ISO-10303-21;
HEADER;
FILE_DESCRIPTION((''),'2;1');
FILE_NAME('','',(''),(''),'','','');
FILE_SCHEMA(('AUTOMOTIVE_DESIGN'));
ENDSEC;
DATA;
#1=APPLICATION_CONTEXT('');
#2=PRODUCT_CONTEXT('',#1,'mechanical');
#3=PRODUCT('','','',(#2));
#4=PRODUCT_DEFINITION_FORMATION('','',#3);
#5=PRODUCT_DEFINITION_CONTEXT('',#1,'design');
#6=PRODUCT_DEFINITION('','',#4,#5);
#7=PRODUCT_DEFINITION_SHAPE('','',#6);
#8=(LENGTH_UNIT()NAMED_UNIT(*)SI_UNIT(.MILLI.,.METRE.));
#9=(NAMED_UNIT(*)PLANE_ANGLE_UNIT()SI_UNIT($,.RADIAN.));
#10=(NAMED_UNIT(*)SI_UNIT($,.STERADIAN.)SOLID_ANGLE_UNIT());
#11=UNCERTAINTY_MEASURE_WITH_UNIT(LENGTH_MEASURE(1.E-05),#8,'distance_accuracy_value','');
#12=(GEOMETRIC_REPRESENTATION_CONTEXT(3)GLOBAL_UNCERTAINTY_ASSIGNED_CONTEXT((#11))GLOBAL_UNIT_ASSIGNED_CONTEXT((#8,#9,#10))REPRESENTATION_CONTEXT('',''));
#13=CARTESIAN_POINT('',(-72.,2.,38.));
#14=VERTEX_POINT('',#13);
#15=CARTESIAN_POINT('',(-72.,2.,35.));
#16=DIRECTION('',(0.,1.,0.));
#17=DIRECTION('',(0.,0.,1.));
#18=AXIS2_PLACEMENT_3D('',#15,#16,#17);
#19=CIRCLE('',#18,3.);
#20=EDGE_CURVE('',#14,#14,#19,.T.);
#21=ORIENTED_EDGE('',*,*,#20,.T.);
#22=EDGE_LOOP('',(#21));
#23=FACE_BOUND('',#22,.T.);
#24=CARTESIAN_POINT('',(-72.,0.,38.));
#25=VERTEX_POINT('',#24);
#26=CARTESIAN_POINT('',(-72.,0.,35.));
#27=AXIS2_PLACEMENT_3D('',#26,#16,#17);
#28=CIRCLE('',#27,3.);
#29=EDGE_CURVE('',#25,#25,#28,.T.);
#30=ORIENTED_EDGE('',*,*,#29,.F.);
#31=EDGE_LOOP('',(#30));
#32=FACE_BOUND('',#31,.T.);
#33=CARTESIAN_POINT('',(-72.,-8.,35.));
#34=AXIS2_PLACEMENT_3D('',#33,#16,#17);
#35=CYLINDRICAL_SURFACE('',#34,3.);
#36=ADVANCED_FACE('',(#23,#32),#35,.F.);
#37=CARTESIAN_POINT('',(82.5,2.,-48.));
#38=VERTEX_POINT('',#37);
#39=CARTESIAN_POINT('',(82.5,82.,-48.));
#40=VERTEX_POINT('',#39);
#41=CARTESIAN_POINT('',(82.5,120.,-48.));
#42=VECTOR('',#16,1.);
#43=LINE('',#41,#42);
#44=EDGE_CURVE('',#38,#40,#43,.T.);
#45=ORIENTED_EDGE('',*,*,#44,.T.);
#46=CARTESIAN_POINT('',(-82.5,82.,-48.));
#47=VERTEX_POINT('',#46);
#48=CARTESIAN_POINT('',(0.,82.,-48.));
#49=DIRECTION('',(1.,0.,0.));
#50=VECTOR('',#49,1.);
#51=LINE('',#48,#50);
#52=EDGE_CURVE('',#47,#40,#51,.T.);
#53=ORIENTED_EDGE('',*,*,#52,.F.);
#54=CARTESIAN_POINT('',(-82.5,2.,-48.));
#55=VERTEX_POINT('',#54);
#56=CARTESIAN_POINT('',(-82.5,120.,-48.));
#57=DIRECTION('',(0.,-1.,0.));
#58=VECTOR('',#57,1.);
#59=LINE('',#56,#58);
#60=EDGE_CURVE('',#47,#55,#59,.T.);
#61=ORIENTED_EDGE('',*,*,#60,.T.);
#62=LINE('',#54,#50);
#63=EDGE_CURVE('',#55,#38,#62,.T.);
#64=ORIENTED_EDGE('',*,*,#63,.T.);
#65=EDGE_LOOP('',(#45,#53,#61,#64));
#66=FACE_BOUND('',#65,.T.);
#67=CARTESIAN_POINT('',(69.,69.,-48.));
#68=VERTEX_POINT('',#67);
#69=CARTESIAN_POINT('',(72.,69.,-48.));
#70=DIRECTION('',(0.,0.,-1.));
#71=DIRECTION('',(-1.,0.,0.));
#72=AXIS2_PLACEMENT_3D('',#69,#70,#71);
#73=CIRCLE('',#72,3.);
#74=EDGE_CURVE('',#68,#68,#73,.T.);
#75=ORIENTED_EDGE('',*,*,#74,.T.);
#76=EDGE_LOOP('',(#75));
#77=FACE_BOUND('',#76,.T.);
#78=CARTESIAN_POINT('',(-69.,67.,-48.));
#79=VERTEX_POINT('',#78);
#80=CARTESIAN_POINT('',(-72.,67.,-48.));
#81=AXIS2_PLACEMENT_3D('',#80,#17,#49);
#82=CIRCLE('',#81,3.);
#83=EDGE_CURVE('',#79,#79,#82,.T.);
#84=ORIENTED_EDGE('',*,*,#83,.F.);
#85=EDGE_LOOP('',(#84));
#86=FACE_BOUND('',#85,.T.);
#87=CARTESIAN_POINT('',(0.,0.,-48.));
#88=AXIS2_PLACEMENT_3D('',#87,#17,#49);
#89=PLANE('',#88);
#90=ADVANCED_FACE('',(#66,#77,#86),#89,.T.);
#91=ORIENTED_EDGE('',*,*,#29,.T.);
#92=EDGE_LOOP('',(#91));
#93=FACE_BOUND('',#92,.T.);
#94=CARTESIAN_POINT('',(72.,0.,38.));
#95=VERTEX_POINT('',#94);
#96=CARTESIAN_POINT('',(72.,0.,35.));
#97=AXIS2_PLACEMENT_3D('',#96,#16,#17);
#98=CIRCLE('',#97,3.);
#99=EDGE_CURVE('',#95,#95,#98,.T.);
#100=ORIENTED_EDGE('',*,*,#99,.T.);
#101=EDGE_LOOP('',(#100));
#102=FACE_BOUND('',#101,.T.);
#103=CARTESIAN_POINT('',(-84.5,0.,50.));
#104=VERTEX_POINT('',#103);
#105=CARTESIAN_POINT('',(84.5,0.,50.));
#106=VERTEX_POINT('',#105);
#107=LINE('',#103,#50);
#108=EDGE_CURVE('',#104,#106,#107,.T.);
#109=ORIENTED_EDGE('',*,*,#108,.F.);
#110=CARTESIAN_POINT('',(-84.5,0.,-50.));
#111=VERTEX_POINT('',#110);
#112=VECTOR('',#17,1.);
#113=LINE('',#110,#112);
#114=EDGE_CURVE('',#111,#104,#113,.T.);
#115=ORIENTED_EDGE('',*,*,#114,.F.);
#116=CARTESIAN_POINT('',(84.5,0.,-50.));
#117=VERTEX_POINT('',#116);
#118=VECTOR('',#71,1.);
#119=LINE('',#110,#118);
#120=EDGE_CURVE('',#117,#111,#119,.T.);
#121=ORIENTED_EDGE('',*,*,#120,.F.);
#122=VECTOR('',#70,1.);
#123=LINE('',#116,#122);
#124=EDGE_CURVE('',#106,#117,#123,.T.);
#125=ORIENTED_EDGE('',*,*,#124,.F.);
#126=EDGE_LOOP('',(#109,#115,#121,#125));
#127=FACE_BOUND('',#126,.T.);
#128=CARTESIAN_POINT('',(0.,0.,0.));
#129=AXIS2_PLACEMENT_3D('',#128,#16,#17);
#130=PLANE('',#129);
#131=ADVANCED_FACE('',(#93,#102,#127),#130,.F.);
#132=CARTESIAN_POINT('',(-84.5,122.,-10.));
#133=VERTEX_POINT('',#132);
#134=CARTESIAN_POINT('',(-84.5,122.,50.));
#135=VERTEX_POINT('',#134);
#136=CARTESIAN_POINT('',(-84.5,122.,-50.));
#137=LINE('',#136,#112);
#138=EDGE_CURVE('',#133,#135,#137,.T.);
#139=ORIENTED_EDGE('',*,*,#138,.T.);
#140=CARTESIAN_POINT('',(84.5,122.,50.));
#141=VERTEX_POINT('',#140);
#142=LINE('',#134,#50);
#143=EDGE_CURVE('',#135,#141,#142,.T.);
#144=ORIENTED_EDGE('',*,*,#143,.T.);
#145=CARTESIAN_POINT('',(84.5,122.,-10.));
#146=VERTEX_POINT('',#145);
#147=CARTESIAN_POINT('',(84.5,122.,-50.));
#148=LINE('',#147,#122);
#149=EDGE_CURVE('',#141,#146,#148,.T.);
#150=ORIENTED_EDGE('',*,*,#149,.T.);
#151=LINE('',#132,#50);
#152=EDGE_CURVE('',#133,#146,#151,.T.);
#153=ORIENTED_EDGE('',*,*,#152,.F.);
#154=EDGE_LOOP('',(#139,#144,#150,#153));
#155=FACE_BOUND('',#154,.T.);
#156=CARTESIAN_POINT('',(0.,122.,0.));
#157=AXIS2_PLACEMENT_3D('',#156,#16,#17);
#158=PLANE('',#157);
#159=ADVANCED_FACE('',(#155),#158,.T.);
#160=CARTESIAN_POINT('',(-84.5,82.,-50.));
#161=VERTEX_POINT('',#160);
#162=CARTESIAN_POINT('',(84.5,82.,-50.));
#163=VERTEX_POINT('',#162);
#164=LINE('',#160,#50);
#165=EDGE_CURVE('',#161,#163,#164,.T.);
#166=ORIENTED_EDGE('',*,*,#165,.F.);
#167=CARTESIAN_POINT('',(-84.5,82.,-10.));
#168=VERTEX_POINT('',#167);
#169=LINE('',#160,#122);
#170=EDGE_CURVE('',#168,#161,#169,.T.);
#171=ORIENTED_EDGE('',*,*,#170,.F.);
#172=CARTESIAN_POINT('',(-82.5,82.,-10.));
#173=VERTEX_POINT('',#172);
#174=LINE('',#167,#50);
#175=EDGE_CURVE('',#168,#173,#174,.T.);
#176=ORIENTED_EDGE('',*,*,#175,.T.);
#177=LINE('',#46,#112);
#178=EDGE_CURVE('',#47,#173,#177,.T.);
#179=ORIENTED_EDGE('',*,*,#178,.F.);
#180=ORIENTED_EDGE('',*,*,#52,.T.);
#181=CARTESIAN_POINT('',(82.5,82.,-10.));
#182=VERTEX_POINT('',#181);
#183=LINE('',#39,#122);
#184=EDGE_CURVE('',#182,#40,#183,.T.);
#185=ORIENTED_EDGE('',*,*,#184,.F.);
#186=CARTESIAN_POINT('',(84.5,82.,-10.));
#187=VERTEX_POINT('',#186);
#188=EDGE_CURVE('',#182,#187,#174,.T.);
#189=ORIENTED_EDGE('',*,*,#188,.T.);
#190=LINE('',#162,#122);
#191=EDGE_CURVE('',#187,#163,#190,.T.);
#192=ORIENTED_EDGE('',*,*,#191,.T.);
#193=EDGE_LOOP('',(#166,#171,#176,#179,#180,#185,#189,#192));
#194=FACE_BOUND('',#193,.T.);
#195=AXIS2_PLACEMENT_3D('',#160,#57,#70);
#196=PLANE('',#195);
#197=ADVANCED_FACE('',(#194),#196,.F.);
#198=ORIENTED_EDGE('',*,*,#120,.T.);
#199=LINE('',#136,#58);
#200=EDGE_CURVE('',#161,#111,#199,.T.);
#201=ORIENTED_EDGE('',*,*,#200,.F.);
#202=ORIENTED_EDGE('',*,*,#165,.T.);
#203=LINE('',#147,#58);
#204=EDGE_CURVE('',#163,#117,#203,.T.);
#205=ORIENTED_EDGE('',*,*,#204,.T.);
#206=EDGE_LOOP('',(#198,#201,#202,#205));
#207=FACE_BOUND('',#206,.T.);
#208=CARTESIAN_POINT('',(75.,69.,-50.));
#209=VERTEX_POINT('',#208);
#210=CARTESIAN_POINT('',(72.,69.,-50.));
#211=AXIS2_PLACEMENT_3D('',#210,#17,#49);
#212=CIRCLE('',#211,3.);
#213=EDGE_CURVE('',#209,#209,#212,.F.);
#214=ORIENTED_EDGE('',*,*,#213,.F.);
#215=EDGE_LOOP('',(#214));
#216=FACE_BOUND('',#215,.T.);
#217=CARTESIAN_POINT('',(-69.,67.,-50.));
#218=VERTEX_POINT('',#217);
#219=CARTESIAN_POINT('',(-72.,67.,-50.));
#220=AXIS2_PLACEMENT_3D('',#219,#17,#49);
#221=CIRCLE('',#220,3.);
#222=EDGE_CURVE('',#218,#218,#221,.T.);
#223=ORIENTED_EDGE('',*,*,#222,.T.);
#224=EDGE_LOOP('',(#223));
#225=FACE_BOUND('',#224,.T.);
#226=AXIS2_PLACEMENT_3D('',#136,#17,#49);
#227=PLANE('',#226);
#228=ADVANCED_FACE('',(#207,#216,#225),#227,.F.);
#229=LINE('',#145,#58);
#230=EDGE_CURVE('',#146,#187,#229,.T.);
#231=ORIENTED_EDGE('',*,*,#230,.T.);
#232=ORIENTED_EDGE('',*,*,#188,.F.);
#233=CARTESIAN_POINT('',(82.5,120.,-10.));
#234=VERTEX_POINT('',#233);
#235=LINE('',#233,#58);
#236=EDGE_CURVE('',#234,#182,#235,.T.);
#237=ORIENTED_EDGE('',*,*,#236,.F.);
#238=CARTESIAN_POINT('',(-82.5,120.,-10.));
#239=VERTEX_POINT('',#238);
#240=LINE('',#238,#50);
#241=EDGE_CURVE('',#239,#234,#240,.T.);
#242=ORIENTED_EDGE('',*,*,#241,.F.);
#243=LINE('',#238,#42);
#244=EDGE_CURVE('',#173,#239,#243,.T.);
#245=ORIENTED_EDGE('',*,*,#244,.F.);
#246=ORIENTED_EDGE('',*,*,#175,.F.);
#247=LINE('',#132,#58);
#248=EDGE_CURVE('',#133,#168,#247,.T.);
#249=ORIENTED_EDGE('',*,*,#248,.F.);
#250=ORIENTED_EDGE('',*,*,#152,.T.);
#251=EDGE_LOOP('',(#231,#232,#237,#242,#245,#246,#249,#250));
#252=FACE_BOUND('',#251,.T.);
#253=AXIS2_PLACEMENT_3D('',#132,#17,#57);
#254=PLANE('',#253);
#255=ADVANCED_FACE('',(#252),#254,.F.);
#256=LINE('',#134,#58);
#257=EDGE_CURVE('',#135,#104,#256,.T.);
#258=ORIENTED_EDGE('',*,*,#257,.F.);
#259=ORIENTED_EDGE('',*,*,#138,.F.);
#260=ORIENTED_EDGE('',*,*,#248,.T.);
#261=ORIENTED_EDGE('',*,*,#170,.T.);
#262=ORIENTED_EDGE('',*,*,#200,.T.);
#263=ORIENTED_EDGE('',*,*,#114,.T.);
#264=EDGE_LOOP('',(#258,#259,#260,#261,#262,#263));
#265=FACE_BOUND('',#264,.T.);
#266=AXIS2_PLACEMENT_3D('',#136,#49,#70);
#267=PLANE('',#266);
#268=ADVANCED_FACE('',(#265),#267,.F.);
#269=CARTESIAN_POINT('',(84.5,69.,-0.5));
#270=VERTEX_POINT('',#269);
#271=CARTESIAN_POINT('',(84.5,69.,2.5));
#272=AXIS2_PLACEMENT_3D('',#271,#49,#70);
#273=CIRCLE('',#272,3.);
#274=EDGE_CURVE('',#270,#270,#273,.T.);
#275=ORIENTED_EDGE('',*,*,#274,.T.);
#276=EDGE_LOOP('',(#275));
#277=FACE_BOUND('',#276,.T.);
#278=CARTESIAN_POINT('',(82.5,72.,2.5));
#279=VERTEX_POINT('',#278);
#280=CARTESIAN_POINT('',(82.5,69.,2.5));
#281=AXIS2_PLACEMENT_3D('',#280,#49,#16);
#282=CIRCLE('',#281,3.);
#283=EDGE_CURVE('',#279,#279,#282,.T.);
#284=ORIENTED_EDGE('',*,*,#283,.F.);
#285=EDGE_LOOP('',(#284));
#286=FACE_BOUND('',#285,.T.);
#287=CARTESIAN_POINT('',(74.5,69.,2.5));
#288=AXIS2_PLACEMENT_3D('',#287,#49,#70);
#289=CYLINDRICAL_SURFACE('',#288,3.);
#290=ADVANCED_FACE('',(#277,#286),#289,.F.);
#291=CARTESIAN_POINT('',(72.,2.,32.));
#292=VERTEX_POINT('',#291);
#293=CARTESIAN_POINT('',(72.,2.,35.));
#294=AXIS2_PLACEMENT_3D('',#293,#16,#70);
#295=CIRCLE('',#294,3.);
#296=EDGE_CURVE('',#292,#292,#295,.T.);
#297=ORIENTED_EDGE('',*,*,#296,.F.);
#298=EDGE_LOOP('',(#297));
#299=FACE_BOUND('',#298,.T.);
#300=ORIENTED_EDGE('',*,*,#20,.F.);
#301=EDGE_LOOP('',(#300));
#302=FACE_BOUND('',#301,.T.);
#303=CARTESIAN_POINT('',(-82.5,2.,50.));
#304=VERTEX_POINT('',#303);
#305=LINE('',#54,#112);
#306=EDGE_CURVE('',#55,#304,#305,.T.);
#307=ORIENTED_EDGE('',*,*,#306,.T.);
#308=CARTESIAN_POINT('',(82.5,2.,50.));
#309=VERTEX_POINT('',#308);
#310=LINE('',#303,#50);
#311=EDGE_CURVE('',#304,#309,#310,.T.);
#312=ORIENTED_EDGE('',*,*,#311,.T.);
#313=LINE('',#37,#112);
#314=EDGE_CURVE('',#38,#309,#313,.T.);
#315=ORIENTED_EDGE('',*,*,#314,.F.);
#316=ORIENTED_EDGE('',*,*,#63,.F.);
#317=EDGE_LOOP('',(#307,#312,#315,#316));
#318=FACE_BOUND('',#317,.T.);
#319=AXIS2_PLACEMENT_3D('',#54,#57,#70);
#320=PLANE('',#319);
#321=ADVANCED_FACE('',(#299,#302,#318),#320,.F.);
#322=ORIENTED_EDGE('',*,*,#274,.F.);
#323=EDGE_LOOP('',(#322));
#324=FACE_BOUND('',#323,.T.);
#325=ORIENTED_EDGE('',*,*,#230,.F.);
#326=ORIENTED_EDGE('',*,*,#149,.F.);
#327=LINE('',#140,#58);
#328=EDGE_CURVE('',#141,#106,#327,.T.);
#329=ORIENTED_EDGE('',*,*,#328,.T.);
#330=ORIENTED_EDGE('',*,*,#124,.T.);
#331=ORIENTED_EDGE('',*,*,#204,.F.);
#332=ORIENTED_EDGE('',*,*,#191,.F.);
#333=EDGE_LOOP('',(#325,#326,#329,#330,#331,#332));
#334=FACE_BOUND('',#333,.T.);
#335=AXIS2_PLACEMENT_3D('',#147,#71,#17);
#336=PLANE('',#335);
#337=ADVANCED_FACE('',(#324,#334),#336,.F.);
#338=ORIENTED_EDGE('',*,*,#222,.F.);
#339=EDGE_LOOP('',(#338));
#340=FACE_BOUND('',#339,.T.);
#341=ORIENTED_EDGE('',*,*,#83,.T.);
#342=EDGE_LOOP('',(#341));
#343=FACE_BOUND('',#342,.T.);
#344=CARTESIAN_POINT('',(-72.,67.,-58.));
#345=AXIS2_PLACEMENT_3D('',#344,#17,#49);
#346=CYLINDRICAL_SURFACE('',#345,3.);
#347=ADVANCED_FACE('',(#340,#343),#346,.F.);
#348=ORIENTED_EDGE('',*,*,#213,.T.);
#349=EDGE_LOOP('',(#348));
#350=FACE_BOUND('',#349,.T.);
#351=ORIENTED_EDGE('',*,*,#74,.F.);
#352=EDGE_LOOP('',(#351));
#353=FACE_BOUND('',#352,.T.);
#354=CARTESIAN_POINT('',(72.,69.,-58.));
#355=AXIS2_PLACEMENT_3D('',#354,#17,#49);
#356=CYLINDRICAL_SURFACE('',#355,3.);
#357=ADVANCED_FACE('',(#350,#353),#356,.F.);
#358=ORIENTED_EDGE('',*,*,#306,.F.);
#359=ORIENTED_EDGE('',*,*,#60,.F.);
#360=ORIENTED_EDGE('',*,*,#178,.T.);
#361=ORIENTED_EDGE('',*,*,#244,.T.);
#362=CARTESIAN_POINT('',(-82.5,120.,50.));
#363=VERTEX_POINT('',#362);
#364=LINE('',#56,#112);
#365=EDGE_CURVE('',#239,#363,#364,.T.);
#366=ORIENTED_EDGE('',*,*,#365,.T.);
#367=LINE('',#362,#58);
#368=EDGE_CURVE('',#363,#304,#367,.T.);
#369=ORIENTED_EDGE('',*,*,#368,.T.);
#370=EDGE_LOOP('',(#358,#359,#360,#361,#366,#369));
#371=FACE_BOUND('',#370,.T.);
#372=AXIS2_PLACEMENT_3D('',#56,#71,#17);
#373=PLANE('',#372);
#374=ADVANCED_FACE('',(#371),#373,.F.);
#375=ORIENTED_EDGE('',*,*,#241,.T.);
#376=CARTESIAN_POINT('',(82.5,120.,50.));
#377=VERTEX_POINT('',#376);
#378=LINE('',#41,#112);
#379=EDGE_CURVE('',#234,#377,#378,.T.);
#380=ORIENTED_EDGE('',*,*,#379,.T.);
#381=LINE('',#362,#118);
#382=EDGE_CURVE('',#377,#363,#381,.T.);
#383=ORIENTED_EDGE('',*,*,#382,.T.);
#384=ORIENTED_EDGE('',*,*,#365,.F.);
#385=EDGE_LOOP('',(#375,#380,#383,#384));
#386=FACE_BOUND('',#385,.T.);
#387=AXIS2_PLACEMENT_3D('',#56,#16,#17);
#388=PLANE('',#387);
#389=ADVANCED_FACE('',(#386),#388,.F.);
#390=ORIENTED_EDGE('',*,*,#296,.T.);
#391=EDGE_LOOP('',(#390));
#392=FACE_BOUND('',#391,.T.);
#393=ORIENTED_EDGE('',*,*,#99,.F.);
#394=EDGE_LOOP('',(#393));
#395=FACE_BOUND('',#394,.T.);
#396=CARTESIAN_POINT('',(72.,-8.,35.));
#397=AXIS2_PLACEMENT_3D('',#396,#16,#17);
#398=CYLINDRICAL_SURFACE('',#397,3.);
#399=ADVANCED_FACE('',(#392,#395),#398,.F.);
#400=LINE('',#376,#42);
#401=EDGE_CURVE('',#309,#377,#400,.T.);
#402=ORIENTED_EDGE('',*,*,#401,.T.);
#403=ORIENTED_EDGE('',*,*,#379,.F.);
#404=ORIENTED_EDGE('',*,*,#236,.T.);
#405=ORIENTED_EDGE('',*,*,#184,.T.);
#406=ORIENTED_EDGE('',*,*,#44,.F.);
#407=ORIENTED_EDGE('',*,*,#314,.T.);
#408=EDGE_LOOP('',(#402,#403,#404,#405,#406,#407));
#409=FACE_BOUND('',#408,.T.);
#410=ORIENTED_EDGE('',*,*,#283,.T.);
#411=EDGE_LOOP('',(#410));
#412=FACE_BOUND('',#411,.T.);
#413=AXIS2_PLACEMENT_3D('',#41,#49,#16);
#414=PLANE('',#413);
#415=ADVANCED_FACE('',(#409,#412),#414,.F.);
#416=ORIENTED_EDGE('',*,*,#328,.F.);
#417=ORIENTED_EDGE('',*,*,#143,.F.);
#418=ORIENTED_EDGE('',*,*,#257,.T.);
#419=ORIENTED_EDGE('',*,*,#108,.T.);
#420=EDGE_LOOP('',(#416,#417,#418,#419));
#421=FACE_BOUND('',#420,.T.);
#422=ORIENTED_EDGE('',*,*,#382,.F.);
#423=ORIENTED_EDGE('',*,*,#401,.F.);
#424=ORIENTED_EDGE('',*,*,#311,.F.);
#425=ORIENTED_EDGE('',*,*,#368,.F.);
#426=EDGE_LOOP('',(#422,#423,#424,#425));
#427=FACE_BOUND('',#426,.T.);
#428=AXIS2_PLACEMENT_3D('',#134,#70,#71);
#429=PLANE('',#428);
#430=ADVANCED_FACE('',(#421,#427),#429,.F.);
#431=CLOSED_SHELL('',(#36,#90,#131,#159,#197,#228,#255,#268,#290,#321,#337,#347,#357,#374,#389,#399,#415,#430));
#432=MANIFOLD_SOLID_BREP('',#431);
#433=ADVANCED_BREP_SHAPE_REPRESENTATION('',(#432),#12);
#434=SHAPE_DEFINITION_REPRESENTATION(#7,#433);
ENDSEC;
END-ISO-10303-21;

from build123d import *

# Parameters (mm, degrees)
SKETCH_2_W          = 169
SKETCH_2_H          = 100
EXTRUDE_2_DEPTH     = 122
SKETCH_6_W          = 165
SKETCH_6_H          = 118
CUT_EXTRUDE_3_DEPTH = 98
SKETCH_7_W          = 40
SKETCH_7_H          = 40
CUT_EXTRUDE_4_DEPTH = 215.347848135
SKETCH_8_R          = 3
CUT_EXTRUDE_5_DEPTH = 10
SKETCH_9_R          = 3
CUT_EXTRUDE_6_DEPTH = 10
SKETCH_10_R         = 3
CUT_EXTRUDE_7_DEPTH = 10


with BuildPart() as part:
    # ｽｹｯﾁ2 → ﾎﾞｽ - 押し出し2 (new body)
    with BuildSketch(Plane(origin=(0, 0, 0), x_dir=(1, 0, 0), z_dir=(0, 1, 0))):
        Rectangle(SKETCH_2_W, SKETCH_2_H)
    extrude(amount=EXTRUDE_2_DEPTH)

    # ｽｹｯﾁ6 → ｶｯﾄ - 押し出し3 (cut)
    with BuildSketch(Plane.XY.offset(50)):
        with Locations((0, 61)):
            Rectangle(SKETCH_6_W, SKETCH_6_H)
    extrude(amount=-CUT_EXTRUDE_3_DEPTH, mode=Mode.SUBTRACT)

    # ｽｹｯﾁ7 → ｶｯﾄ - 押し出し4 (cut, through all)
    with BuildSketch(Plane(origin=(84.5, 0, 0), x_dir=(0, 0, -1), z_dir=(1, 0, 0))):
        with Locations((30, 102)):
            Rectangle(SKETCH_7_W, SKETCH_7_H)
    extrude(amount=-CUT_EXTRUDE_4_DEPTH, mode=Mode.SUBTRACT)

    # ｽｹｯﾁ8 → ｶｯﾄ - 押し出し5 (cut)
    with BuildSketch(Plane(origin=(0, 2, 0), x_dir=(1, 0, 0), z_dir=(0, 1, 0))):
        with Locations(Location((-72, -35, 0), (0, 0, 270))):
            Circle(SKETCH_8_R)
        with Locations(Location((72, -35, 0), (0, 0, 270))):
            Circle(SKETCH_8_R)
    extrude(amount=-CUT_EXTRUDE_5_DEPTH, mode=Mode.SUBTRACT)

    # ｽｹｯﾁ9 → ｶｯﾄ - 押し出し6 (cut)
    with BuildSketch(Plane.XY.offset(-48)):
        with Locations((-72, 67)):
            Circle(SKETCH_9_R)
        with Locations((72, 69)):
            Circle(SKETCH_9_R)
    extrude(amount=-CUT_EXTRUDE_6_DEPTH, mode=Mode.SUBTRACT)

    # ｽｹｯﾁ10 → ｶｯﾄ - 押し出し7 (cut)
    with BuildSketch(Plane(origin=(84.5, 0, 0), x_dir=(0, 0, -1), z_dir=(1, 0, 0))):
        with Locations((-2.5, 69)):
            Circle(SKETCH_10_R)
    extrude(amount=-CUT_EXTRUDE_7_DEPTH, mode=Mode.SUBTRACT)


solid = part.part
